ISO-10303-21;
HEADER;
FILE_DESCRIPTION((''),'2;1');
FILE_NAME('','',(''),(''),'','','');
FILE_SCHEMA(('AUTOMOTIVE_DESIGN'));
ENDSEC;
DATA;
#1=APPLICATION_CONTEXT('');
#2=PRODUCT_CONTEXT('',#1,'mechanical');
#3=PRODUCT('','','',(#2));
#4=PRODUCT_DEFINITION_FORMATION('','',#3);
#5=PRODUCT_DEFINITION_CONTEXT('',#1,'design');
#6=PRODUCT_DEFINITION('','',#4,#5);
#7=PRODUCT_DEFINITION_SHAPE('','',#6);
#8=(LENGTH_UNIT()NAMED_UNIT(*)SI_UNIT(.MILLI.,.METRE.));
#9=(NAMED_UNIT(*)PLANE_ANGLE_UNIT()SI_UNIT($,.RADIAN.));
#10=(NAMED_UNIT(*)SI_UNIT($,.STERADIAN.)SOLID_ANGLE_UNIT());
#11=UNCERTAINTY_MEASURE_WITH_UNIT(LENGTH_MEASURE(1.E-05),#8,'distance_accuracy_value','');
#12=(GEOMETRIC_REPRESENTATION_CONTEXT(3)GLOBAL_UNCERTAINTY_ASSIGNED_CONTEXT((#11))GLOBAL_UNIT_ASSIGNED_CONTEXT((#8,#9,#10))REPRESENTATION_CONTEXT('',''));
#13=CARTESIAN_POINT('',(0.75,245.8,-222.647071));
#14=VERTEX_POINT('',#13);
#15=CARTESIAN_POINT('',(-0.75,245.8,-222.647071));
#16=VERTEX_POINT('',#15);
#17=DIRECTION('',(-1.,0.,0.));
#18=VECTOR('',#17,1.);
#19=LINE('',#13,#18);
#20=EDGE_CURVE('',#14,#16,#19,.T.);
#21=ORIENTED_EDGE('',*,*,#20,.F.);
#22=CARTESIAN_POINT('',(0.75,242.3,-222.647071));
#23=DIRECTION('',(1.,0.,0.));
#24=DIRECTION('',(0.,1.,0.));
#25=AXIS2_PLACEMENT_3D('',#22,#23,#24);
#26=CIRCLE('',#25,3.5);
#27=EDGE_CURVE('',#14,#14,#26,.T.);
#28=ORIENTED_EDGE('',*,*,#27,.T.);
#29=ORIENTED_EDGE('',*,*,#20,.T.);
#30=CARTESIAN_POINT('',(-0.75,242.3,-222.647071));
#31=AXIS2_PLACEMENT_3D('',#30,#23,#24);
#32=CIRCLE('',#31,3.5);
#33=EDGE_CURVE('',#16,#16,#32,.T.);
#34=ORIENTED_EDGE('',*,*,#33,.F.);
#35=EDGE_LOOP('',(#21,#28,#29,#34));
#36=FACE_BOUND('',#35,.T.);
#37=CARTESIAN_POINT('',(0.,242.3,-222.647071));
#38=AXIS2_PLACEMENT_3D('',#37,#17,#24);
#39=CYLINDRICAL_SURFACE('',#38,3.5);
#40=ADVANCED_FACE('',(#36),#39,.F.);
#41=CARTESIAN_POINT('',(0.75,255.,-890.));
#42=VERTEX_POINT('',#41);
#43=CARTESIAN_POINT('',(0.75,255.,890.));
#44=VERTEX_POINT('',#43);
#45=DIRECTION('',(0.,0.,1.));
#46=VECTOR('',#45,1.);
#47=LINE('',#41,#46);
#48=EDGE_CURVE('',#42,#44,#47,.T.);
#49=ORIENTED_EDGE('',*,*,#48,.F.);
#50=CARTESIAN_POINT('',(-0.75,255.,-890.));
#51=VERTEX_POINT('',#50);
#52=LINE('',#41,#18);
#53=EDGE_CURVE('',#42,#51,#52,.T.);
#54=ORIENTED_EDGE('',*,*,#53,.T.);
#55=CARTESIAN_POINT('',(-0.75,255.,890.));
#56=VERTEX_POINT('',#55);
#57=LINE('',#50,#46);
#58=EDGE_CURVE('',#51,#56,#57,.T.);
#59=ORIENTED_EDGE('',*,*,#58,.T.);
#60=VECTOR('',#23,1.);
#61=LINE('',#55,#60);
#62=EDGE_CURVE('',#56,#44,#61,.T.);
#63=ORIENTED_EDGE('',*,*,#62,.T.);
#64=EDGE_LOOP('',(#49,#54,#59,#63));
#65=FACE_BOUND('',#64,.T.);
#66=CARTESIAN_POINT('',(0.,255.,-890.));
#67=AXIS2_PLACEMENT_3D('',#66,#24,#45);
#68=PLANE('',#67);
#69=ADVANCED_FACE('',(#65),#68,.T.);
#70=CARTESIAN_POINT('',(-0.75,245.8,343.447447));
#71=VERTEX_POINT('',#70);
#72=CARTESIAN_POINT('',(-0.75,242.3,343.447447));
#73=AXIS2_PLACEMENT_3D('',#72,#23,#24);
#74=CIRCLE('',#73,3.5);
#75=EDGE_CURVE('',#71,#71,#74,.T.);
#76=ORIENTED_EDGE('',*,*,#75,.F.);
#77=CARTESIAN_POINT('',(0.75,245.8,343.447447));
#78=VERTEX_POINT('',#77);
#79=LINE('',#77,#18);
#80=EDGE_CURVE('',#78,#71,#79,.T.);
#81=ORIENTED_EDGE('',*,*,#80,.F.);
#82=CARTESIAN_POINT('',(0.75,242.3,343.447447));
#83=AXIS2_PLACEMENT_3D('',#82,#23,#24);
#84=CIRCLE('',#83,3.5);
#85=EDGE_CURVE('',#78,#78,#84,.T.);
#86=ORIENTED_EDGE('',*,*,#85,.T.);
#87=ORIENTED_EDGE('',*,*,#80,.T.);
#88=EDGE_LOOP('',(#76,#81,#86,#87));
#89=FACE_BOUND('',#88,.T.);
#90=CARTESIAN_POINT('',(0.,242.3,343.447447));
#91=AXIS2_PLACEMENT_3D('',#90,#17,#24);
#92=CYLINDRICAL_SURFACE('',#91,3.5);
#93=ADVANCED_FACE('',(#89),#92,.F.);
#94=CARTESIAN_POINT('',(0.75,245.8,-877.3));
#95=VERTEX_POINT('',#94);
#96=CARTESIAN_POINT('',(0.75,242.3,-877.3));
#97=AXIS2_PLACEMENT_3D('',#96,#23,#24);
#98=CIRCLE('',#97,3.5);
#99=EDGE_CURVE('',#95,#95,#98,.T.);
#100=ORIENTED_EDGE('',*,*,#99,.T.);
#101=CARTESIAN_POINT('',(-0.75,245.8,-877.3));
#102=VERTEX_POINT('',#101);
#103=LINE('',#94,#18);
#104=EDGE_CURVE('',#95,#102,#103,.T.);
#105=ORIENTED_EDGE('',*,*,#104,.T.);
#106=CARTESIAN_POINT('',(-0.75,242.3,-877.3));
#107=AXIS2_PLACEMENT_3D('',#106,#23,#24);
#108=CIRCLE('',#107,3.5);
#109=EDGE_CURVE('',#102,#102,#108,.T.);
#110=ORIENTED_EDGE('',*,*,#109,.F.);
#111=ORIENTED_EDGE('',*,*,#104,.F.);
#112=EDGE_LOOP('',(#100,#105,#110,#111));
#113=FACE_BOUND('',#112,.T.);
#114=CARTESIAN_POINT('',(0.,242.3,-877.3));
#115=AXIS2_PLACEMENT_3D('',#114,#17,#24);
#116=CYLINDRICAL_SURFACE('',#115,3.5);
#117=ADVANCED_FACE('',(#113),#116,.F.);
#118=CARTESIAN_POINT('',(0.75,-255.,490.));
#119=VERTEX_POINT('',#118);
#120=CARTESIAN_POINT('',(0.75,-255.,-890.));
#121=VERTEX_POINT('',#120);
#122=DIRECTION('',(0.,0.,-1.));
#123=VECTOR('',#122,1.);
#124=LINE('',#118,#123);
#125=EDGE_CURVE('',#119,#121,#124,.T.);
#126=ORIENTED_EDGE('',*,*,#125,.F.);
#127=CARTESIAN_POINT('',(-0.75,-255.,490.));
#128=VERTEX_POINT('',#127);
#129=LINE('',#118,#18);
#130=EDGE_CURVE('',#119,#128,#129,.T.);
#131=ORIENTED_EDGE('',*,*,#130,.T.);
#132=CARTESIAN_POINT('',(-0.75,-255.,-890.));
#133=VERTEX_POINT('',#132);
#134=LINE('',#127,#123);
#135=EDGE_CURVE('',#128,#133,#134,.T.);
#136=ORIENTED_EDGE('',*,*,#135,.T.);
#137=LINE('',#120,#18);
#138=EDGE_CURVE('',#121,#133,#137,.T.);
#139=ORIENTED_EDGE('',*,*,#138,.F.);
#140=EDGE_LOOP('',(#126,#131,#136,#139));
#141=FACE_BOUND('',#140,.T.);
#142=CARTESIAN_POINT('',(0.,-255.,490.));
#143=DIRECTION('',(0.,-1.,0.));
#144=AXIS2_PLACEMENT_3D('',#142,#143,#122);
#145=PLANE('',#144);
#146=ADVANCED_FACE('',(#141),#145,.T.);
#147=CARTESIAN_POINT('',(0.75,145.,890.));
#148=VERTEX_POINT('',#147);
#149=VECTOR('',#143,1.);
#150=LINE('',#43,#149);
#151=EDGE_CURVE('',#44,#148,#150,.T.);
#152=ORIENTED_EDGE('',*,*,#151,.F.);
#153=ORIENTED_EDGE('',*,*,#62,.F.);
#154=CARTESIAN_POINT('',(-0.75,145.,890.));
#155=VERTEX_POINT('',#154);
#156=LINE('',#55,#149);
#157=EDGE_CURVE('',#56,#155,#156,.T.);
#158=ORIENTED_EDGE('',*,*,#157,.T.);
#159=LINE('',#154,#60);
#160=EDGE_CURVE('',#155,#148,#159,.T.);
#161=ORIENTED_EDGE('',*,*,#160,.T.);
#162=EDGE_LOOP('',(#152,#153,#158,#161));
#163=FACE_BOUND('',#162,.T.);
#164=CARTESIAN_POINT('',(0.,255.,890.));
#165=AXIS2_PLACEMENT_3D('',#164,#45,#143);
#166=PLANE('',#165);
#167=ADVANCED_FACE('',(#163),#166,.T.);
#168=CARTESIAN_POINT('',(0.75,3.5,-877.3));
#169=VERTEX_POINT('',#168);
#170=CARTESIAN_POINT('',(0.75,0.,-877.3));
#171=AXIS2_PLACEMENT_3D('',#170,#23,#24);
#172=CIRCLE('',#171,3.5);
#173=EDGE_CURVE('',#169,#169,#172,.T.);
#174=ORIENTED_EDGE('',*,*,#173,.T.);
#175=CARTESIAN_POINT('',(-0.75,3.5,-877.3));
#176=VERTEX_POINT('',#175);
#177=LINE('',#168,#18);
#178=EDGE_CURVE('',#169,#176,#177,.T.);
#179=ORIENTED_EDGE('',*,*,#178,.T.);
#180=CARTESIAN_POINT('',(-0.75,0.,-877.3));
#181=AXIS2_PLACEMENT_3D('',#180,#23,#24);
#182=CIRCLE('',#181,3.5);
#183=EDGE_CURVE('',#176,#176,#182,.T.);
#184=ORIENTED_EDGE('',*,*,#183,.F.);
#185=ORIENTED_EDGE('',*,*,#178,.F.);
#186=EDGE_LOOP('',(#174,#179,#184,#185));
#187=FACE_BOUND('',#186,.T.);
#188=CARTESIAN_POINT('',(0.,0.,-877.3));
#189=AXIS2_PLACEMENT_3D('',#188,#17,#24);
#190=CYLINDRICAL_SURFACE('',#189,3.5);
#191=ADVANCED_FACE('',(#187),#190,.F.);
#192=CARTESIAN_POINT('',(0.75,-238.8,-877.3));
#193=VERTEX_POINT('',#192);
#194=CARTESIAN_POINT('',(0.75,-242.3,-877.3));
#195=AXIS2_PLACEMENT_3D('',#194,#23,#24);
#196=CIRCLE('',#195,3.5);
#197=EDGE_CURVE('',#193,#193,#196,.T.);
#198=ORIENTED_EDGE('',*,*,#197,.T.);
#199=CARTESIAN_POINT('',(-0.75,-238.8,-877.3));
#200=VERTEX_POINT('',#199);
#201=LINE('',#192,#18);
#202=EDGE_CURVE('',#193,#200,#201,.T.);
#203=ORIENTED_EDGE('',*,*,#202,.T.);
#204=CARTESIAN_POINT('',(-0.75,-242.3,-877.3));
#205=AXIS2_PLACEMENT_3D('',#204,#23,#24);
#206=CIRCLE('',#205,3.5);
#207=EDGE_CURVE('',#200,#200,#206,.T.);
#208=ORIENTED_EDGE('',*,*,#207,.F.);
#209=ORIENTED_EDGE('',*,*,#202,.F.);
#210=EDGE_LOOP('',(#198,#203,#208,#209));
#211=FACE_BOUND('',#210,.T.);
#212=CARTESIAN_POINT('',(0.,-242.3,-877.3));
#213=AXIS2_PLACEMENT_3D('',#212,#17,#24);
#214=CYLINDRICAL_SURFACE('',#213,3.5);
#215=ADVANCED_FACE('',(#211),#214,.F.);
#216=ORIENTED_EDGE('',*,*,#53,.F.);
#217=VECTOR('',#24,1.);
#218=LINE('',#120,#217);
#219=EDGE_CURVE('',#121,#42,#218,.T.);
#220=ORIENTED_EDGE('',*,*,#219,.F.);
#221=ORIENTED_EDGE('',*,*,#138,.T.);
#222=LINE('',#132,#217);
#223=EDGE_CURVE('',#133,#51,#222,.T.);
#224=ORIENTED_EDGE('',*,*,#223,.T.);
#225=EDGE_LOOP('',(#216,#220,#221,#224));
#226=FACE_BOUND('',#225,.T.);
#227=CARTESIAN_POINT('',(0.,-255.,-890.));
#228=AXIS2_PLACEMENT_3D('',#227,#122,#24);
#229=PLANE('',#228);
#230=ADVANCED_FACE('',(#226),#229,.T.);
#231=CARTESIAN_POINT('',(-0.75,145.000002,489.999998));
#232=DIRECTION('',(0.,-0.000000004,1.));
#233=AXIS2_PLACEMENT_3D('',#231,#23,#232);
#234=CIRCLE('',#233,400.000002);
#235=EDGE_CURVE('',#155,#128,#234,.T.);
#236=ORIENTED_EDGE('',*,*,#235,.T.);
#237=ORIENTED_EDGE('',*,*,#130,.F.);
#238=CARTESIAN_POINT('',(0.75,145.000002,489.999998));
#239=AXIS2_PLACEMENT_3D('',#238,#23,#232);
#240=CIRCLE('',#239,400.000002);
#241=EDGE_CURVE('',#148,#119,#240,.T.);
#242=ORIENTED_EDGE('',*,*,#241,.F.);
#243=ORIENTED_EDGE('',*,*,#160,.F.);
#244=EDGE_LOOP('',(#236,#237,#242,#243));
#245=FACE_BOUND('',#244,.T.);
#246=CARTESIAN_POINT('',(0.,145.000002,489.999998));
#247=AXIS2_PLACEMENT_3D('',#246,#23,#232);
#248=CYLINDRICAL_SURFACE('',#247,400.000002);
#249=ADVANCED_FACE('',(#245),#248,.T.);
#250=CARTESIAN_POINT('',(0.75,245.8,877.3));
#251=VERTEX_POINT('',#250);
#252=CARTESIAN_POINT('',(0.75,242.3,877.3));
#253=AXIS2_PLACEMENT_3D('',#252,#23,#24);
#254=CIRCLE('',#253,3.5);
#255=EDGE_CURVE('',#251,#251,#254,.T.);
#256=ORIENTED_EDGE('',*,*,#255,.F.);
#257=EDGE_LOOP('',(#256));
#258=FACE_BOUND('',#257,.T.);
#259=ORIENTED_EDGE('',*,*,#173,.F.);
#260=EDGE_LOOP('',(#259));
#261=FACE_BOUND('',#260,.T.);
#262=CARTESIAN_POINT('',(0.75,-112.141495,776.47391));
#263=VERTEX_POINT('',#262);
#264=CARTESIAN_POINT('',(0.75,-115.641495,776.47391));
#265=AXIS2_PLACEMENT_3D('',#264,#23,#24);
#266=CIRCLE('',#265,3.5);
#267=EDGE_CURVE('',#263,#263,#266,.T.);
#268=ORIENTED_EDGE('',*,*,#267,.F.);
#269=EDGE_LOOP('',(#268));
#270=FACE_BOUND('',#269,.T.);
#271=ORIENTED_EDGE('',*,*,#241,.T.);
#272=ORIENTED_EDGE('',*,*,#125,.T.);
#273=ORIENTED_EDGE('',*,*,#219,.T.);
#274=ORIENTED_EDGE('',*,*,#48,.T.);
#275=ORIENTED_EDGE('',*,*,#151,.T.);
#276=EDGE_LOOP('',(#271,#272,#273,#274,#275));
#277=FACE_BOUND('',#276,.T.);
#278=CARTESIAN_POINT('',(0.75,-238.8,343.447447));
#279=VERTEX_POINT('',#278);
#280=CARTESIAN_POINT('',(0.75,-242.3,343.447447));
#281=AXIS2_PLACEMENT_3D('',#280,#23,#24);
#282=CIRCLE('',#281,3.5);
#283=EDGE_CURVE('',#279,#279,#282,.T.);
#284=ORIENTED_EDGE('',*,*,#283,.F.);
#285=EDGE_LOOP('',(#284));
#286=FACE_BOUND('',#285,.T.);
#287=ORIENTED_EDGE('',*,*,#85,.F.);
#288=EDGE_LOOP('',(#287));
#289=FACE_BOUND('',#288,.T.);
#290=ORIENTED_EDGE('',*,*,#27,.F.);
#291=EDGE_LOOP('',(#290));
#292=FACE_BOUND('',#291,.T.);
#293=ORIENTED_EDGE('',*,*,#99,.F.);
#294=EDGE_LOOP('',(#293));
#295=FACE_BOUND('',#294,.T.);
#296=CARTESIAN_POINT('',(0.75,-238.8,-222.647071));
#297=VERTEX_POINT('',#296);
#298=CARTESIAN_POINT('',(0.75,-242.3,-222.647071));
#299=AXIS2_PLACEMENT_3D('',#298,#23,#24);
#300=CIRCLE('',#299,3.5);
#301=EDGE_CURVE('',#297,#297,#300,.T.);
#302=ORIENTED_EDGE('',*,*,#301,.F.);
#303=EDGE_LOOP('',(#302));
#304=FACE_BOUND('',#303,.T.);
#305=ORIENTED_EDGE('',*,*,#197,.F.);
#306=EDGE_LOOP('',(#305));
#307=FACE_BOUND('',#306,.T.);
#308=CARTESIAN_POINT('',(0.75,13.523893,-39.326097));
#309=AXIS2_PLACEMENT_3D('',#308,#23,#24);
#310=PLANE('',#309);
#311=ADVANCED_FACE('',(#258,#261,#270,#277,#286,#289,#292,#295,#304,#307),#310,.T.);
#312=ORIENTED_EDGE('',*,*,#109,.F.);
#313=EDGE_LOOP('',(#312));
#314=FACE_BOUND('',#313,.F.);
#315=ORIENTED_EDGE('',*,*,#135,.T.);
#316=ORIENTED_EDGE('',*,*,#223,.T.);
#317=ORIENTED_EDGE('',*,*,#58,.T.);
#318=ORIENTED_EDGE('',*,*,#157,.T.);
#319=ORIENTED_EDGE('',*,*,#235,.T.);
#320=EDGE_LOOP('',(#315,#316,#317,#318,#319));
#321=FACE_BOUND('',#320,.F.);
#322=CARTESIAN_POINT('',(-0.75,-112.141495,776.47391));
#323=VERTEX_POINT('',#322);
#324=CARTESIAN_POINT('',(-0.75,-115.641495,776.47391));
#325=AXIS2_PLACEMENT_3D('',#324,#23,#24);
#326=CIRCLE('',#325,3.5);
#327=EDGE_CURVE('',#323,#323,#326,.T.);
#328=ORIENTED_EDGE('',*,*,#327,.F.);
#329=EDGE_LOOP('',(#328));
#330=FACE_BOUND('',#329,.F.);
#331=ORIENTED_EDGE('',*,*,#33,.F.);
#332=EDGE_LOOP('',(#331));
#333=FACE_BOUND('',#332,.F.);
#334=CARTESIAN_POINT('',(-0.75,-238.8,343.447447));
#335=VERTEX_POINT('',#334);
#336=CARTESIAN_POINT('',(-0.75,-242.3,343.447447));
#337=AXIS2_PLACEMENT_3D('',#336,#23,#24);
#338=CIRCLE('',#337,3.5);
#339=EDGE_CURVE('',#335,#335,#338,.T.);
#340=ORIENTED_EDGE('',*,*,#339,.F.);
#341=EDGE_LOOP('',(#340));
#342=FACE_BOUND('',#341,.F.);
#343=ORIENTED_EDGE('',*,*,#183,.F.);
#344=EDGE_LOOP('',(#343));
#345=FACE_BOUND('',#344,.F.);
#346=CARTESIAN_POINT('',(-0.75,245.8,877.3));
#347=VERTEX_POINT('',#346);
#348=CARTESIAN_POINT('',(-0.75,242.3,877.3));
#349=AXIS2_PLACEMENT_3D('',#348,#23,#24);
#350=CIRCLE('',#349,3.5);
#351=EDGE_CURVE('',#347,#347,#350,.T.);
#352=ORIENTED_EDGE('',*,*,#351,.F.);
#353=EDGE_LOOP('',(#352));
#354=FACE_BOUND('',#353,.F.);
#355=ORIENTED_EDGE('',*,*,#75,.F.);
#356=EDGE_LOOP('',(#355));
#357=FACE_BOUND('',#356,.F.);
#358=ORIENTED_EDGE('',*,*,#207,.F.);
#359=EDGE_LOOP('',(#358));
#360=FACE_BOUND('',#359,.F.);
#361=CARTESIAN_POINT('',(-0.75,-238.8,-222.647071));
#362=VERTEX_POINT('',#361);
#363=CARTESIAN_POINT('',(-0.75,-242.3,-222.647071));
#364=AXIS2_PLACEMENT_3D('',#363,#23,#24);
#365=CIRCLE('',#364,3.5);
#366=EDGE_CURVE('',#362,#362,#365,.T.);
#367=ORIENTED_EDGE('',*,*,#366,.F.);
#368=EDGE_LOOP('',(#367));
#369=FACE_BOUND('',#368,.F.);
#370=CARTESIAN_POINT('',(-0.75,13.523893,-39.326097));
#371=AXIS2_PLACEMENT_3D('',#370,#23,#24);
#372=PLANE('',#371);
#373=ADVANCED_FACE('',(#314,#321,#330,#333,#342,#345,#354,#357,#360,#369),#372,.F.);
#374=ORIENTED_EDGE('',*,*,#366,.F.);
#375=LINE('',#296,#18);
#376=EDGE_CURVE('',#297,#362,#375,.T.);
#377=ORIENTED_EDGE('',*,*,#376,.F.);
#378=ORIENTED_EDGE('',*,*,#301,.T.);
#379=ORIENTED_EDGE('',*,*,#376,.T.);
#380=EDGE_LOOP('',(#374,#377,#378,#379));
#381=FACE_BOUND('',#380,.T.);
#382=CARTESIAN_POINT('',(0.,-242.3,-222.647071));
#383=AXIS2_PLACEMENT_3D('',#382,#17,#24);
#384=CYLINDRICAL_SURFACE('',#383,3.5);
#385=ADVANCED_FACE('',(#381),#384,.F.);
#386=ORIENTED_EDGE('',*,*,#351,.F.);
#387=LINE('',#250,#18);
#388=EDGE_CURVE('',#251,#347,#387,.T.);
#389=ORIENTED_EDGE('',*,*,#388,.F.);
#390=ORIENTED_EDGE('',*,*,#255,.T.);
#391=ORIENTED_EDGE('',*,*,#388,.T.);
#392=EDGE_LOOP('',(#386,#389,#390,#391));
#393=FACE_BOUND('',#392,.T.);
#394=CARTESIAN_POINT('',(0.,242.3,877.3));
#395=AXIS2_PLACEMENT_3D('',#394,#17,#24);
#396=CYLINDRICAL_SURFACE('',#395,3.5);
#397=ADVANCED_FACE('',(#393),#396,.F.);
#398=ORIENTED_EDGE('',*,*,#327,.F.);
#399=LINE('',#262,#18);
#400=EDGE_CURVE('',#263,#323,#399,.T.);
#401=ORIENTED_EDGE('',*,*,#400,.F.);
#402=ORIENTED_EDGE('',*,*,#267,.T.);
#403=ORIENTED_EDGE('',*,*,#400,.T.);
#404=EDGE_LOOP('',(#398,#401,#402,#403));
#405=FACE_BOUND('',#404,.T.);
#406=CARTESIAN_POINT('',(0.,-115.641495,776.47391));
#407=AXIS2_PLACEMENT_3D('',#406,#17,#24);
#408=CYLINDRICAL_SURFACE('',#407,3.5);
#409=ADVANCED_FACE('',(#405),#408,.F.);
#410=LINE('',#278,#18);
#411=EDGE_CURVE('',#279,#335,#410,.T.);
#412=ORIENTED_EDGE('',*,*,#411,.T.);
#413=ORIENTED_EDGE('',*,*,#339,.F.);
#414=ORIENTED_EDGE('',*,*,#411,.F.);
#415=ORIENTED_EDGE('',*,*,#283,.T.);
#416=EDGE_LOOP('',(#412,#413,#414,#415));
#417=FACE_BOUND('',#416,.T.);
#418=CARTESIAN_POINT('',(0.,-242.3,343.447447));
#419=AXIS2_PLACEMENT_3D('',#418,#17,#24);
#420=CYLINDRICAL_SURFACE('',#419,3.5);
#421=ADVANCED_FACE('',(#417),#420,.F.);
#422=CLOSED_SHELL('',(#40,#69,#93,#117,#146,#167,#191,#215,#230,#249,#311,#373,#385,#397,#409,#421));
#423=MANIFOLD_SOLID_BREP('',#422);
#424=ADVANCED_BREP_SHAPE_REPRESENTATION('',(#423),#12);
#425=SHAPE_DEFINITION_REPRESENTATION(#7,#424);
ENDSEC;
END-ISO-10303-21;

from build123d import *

# Parameters (mm, degrees)
F0_R     = 3.5
F1_DEPTH = 0.75


with BuildPart() as f1:
    # F0 (on Right) → F1 (new body, symmetric)
    with BuildSketch(Plane.YZ):
        with BuildLine():
            Line((255, -890), (255, 890))
            Line((255, 890), (145, 890))
            ThreePointArc((145, 890), (-137.842712, 772.842712), (-255, 490))
            Line((-255, 490), (-255, -890))
            Line((-255, -890), (255, -890))
        make_face()
        with Locations((-242.3, -877.3)):
            Circle(F0_R, mode=Mode.SUBTRACT)
        with Locations((-242.3, -222.647071)):
            Circle(F0_R, mode=Mode.SUBTRACT)
        with Locations((0, -877.3)):
            Circle(F0_R, mode=Mode.SUBTRACT)
        with Locations((242.3, -877.3)):
            Circle(F0_R, mode=Mode.SUBTRACT)
        with Locations((242.3, -222.647071)):
            Circle(F0_R, mode=Mode.SUBTRACT)
        with Locations((-242.3, 343.447447)):
            Circle(F0_R, mode=Mode.SUBTRACT)
        with Locations((-115.641495, 776.47391)):
            Circle(F0_R, mode=Mode.SUBTRACT)
        with Locations((242.3, 343.447447)):
            Circle(F0_R, mode=Mode.SUBTRACT)
        with Locations((242.3, 877.3)):
            Circle(F0_R, mode=Mode.SUBTRACT)
    extrude(amount=F1_DEPTH, both=True)


solid = f1.part
